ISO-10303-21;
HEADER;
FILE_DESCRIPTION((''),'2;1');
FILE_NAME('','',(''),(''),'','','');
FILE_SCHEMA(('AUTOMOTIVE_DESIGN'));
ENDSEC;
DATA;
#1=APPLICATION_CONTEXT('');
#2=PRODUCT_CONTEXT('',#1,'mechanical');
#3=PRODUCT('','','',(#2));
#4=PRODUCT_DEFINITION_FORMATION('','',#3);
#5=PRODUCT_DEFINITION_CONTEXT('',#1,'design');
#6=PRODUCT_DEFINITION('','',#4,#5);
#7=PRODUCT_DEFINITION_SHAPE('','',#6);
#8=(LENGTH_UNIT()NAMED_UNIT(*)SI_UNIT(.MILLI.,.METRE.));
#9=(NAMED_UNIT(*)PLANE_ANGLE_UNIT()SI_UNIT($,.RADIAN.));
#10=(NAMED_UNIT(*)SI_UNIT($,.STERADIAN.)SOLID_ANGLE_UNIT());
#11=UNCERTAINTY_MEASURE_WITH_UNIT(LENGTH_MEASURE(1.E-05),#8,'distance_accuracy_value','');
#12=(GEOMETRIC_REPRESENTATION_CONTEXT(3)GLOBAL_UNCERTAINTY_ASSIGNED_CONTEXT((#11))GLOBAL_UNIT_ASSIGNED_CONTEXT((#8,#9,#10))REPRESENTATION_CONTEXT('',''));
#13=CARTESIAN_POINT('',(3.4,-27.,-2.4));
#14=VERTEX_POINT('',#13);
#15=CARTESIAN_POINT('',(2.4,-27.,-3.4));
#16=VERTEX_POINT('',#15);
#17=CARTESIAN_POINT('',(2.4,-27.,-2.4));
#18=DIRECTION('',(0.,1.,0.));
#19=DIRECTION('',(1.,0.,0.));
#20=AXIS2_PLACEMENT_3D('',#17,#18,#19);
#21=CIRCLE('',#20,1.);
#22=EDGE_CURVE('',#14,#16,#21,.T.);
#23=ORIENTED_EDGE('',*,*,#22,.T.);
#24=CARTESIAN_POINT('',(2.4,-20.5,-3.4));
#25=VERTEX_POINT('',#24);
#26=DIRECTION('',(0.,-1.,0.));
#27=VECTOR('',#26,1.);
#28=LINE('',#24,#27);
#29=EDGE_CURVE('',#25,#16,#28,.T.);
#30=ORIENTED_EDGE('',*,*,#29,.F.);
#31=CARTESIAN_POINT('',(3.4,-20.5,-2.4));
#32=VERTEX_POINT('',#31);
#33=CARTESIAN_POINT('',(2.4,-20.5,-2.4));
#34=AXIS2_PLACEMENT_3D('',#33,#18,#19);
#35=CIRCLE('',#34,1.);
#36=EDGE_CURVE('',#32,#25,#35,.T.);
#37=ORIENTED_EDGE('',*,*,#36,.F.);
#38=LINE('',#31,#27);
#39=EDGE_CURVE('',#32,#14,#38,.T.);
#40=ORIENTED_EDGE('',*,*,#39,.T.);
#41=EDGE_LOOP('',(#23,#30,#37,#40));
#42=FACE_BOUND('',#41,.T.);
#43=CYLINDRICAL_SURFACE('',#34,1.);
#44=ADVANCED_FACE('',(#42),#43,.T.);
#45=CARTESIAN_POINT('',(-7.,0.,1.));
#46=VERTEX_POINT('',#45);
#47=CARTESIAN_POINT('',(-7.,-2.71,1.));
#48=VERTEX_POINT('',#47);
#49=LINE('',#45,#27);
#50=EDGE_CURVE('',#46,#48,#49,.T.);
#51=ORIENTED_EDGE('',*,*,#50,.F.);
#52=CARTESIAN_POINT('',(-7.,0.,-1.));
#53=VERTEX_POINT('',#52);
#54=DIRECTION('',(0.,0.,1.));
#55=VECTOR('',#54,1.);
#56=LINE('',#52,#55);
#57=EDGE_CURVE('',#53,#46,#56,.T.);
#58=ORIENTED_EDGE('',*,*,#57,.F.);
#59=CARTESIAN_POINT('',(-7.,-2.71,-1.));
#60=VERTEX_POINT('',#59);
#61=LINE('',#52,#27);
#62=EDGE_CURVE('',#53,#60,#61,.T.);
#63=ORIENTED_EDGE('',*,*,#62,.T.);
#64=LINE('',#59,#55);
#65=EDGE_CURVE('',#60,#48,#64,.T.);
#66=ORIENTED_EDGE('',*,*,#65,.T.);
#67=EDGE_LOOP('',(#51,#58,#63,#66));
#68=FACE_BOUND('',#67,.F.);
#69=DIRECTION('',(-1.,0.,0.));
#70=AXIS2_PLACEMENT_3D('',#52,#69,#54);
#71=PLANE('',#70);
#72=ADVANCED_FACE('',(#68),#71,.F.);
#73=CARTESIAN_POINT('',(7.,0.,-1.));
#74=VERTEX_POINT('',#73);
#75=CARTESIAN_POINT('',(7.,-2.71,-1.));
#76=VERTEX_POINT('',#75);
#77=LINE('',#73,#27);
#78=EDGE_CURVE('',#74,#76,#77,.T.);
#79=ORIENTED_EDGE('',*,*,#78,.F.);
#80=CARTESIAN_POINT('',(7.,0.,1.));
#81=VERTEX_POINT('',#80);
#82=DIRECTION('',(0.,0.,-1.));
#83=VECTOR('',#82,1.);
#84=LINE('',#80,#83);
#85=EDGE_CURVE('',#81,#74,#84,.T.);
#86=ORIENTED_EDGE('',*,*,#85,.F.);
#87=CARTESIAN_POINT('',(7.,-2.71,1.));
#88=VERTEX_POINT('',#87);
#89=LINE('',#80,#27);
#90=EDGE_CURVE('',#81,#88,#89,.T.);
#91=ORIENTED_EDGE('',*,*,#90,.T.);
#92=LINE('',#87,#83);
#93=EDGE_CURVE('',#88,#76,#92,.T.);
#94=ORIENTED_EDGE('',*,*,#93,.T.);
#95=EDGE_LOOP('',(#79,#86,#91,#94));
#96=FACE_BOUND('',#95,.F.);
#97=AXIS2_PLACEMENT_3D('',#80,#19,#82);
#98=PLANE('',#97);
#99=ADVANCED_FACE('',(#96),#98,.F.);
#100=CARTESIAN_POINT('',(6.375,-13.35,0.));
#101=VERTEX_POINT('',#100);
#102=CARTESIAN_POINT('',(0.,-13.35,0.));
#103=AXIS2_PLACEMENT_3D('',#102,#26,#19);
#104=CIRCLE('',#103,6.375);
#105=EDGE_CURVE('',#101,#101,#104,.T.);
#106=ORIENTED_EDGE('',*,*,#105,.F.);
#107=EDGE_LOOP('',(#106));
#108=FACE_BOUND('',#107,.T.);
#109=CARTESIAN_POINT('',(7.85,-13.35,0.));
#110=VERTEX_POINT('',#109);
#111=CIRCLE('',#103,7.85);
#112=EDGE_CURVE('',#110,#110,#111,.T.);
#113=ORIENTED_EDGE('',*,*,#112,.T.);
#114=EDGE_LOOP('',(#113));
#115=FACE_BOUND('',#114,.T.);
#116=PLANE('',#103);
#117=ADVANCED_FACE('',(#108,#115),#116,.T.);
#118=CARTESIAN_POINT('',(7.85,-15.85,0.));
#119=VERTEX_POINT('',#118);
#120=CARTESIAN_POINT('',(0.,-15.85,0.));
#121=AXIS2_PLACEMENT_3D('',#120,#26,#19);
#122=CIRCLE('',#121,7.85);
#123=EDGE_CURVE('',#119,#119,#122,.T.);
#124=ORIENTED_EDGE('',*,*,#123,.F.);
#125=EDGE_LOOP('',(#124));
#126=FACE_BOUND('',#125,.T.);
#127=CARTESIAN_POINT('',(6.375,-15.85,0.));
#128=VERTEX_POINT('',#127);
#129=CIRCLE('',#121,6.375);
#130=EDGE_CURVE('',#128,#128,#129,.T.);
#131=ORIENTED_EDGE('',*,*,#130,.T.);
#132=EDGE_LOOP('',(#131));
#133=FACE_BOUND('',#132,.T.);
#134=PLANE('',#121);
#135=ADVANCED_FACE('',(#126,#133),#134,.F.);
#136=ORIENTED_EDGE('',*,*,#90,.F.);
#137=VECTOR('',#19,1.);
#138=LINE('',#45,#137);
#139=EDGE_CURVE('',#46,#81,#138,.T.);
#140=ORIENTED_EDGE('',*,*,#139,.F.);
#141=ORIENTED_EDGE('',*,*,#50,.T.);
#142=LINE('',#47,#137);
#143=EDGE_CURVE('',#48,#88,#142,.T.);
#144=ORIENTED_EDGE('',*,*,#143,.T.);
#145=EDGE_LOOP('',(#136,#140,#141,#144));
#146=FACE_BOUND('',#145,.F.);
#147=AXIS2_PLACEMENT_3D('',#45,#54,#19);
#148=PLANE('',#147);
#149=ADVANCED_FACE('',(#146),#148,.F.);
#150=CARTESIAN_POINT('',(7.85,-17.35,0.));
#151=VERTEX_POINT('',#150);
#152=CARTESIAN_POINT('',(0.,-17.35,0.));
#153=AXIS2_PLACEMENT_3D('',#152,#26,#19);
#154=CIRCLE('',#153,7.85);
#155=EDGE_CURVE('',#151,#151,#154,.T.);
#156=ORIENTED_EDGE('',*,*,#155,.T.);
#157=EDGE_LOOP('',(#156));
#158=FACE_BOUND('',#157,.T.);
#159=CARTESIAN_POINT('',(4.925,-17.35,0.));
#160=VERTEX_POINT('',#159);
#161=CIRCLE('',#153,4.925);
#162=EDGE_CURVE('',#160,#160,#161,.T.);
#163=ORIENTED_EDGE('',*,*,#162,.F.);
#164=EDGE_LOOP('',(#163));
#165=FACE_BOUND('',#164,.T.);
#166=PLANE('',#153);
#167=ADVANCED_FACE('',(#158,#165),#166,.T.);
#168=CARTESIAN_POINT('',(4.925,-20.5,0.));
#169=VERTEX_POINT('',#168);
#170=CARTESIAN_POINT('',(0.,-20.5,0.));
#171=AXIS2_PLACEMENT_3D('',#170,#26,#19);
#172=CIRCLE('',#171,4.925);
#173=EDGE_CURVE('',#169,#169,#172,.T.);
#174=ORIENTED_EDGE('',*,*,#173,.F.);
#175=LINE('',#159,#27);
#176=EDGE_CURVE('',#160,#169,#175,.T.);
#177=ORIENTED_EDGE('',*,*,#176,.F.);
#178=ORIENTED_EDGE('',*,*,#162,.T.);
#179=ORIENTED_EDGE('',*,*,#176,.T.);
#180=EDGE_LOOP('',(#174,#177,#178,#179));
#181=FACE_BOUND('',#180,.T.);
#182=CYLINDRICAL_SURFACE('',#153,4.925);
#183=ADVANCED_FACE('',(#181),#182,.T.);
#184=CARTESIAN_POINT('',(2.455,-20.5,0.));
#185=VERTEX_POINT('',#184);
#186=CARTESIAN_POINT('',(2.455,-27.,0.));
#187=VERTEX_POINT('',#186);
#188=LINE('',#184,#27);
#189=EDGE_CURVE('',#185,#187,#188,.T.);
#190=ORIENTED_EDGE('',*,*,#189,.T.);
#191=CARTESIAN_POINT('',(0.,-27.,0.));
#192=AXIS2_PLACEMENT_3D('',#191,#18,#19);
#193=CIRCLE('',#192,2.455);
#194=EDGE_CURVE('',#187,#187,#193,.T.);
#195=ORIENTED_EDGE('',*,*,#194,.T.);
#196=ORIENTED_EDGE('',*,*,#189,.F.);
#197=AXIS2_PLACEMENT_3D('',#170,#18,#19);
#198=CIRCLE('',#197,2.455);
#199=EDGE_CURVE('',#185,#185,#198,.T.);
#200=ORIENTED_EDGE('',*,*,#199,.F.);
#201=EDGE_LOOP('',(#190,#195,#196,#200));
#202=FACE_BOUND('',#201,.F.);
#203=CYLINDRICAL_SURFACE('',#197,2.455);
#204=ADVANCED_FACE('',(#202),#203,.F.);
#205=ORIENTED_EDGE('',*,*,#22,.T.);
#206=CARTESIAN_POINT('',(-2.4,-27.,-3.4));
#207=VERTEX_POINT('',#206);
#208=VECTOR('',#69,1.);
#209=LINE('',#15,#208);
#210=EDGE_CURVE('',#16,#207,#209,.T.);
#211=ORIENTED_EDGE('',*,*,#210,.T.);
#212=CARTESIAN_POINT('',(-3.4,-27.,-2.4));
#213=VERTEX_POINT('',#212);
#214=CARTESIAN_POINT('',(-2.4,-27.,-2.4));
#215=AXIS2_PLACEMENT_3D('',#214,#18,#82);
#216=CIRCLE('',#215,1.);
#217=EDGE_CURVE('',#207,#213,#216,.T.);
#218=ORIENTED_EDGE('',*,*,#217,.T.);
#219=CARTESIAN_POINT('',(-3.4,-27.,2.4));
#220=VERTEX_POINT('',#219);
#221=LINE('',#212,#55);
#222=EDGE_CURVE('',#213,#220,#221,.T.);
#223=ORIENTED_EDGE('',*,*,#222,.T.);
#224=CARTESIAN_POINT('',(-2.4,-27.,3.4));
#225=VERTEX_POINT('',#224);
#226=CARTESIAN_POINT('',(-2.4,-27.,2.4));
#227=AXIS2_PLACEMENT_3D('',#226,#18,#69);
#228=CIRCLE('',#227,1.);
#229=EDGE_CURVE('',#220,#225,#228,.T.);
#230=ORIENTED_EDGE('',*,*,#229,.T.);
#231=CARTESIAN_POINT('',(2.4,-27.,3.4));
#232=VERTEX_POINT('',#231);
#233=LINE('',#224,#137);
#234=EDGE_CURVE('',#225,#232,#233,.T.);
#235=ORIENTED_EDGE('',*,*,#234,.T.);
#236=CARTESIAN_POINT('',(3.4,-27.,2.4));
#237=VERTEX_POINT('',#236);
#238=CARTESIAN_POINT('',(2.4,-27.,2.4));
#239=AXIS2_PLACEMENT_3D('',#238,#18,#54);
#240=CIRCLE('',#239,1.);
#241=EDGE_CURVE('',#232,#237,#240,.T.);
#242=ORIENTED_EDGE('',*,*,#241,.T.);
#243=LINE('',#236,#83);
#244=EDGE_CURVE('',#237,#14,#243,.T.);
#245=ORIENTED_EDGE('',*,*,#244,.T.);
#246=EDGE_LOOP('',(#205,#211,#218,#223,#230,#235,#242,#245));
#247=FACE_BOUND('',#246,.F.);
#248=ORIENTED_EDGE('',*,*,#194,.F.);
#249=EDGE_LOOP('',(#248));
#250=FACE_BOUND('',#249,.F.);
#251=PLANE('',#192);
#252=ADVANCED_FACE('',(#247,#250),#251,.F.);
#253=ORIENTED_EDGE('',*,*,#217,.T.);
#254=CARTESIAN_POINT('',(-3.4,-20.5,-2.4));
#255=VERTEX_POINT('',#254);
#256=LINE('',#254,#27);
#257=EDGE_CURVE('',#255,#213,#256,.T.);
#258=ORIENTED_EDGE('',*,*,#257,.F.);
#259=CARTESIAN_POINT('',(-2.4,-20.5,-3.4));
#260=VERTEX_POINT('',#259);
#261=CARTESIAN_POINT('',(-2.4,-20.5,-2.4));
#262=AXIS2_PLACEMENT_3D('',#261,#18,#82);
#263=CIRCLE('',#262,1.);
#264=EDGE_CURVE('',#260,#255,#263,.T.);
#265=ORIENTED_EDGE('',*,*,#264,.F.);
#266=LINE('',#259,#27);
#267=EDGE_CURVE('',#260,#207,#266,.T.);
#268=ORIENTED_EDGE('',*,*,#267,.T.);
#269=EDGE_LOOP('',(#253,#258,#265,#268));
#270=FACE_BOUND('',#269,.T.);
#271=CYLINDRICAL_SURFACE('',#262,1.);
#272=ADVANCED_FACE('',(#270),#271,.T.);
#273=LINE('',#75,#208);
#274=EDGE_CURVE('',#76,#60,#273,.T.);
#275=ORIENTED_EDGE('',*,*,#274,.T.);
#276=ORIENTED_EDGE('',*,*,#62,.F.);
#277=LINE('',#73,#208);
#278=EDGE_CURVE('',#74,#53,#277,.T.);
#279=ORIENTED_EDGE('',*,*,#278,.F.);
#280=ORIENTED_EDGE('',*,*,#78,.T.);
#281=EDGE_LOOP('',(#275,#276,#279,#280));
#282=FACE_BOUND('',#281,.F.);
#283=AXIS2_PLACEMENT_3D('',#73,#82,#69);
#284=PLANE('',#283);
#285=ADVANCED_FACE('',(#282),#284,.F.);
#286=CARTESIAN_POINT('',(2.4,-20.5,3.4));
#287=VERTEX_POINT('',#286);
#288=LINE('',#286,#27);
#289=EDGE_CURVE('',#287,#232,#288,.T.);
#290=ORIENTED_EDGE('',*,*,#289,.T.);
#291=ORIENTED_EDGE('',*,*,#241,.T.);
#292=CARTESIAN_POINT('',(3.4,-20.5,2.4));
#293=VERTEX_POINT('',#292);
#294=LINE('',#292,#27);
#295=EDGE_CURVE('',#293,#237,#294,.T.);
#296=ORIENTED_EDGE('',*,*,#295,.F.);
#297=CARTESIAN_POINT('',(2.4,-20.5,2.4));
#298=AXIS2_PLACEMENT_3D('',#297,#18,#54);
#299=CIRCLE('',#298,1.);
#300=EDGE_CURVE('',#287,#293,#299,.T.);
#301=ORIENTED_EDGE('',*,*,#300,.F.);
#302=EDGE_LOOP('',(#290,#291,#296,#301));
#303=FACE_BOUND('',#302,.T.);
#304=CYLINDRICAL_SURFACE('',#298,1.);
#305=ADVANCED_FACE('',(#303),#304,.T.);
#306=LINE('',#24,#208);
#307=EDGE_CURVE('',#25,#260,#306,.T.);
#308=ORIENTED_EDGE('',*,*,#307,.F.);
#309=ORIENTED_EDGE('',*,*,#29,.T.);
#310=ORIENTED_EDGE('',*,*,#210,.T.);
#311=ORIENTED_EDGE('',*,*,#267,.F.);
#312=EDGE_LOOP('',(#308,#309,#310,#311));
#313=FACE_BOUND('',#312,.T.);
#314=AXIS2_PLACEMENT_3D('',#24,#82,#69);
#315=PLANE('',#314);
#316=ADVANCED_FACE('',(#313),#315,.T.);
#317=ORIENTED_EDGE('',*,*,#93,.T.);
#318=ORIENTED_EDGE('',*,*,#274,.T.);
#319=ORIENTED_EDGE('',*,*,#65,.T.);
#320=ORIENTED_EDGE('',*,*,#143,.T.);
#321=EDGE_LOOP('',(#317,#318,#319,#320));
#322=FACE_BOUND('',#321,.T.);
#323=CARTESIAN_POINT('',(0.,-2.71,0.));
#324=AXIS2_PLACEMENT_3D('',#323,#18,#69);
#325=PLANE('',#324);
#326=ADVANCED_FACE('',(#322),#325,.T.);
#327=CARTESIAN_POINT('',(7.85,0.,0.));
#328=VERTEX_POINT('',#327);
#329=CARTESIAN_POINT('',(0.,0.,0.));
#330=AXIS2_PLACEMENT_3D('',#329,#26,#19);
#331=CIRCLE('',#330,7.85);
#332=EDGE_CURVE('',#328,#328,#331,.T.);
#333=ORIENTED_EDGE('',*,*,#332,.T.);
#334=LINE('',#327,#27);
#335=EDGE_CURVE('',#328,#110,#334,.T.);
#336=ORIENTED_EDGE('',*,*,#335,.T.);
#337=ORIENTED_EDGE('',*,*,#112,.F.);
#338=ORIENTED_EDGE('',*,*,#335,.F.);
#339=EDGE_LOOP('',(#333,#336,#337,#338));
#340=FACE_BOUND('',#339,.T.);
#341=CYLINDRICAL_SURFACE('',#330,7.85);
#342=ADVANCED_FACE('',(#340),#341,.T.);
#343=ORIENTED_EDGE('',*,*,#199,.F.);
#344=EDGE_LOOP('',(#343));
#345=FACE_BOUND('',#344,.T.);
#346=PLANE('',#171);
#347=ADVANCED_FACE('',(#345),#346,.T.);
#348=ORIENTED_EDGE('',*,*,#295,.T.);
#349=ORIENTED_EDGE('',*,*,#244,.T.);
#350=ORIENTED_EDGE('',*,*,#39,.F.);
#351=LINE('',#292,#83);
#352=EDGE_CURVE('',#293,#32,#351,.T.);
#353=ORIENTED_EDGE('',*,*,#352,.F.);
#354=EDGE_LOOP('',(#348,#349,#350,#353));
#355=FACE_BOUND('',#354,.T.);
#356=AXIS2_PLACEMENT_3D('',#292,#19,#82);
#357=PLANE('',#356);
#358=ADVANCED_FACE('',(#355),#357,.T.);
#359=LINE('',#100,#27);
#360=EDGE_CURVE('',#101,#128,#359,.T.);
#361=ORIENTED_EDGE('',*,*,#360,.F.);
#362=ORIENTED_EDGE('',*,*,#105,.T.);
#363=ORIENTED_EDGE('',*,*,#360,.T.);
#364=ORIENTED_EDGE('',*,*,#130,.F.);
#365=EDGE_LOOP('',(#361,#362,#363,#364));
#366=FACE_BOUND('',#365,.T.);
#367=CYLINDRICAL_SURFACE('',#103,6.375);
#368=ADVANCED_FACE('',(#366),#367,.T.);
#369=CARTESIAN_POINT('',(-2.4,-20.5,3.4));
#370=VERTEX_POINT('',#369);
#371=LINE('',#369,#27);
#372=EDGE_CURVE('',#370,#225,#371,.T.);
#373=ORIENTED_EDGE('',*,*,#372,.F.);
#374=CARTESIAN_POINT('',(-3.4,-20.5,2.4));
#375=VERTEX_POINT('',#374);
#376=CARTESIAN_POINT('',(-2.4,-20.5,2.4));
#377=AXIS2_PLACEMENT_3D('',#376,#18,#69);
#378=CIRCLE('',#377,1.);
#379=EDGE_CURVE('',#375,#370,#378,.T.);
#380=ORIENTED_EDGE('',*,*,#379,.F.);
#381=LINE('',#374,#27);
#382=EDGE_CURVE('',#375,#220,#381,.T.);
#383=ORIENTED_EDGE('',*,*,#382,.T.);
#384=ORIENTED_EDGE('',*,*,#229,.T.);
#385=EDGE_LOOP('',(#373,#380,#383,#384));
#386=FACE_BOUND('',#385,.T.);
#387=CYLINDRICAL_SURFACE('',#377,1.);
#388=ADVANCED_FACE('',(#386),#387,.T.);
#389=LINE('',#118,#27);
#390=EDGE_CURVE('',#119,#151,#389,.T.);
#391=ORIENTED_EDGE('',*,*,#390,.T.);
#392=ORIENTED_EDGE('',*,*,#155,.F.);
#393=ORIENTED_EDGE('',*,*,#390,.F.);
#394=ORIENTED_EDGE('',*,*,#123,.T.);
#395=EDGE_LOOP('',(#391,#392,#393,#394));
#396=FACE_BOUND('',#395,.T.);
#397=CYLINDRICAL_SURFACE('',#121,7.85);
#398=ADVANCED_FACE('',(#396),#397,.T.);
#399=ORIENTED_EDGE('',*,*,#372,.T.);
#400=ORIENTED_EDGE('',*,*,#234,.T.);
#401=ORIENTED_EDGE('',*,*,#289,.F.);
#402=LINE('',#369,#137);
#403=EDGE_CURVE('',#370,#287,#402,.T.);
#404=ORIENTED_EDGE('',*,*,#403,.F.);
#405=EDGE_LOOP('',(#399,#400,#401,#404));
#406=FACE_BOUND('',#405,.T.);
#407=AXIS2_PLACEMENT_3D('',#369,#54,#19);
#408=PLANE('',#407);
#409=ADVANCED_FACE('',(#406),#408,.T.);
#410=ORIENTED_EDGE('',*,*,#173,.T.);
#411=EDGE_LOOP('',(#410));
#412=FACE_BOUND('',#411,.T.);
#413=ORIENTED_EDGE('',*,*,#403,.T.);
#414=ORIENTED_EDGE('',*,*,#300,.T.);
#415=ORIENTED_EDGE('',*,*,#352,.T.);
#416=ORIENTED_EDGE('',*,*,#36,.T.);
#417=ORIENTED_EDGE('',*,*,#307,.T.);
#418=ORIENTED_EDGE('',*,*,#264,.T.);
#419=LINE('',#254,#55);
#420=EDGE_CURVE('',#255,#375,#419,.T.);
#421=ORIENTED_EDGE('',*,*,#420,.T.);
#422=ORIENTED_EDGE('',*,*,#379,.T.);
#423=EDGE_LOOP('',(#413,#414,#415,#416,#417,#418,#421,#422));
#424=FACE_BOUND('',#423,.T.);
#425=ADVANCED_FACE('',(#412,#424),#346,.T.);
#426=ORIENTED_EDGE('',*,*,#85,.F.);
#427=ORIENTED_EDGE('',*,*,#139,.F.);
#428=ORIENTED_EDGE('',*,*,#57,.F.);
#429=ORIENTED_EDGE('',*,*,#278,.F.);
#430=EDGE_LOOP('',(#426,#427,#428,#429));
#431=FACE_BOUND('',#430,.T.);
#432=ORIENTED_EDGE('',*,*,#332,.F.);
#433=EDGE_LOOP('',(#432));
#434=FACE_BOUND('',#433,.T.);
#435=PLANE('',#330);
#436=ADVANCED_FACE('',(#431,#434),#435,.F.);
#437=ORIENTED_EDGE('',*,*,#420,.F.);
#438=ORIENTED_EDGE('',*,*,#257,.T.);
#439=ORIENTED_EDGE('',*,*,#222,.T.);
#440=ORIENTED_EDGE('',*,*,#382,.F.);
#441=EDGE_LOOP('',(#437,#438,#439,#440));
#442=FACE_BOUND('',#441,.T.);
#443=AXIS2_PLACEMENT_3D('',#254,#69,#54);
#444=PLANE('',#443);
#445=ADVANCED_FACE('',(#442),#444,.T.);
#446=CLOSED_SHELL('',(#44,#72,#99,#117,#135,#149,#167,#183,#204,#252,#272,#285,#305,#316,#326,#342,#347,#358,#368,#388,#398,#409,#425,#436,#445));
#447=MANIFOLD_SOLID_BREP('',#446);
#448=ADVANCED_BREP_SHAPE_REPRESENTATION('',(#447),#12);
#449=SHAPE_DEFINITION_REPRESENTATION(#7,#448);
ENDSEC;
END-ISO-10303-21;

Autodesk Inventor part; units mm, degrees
sketch "Sketch_1" plane through (0, 0, 0) normal (0, 0, 1) x (1, 0, 0)
  line L0 (0, -20.5) -> (0, 0)
  line L1 (0, 0) -> (7.85, 0)
  line L2 (7.85, 0) -> (7.85, -13.35)
  line L3 (7.85, -13.35) -> (6.375, -13.35)
  line L4 (6.375, -13.35) -> (6.375, -15.85)
  line L5 (6.375, -15.85) -> (7.85, -15.85)
  line L6 (7.85, -15.85) -> (7.85, -17.35)
  line L7 (7.85, -17.35) -> (4.925, -17.35)
  line L8 (4.925, -17.35) -> (4.925, -20.5)
  line L9 (4.925, -20.5) -> (0, -20.5)
  line L10 (0, -20.5) -> (0, 0)
revolve "Revolution1" add sketch "Sketch_1" angle 360 about axis through (0, -20.5, 0) along (0, -1, 0)
sketch "Sketch_2" plane through (0, -20.5, 0) normal (0, 1, 0) x (1, 0, 0)
  arc A0 (-3.4, -2.4) -> (-2.4, -3.4) centre (-2.4, -2.4) ccw
  line L0 (-2.4, -3.4) -> (2.4, -3.4)
  arc A1 (2.4, -3.4) -> (3.4, -2.4) centre (2.4, -2.4) ccw
  line L1 (3.4, -2.4) -> (3.4, 2.4)
  arc A2 (3.4, 2.4) -> (2.4, 3.4) centre (2.4, 2.4) ccw
  line L2 (2.4, 3.4) -> (-2.4, 3.4)
  arc A3 (-2.4, 3.4) -> (-3.4, 2.4) centre (-2.4, 2.4) ccw
  line L3 (-3.4, 2.4) -> (-3.4, -2.4)
  circle A4 centre (0, 0) radius 2.455
extrude "Extrusion1" add sketch "Sketch_2" against normal blind 6.5
sketch "Sketch_3" plane through (0, 0, 0) normal (0, 1, 0) x (-1, 0, 0)
  line L0 (7, -1) -> (7, 1)
  line L1 (7, 1) -> (-7, 1)
  line L2 (-7, 1) -> (-7, -1)
  line L3 (-7, -1) -> (7, -1)
extrude "Extrusion2" cut sketch "Sketch_3" against normal blind 2.71
ref_plane "insert_to_lock_XY" through (0, 0, 0) normal (0, 1, 0) x (1, 0, 0)
ref_plane "insert_to_lock_YZ" through (0, 0, 0) normal (1, 0, 0) x (0, 0, -1)
ref_plane "insert_to_lock_ZX" through (0, 0, 0) normal (0, 0, -1) x (0, 1, 0)
properties part number "lock_insert_na"
